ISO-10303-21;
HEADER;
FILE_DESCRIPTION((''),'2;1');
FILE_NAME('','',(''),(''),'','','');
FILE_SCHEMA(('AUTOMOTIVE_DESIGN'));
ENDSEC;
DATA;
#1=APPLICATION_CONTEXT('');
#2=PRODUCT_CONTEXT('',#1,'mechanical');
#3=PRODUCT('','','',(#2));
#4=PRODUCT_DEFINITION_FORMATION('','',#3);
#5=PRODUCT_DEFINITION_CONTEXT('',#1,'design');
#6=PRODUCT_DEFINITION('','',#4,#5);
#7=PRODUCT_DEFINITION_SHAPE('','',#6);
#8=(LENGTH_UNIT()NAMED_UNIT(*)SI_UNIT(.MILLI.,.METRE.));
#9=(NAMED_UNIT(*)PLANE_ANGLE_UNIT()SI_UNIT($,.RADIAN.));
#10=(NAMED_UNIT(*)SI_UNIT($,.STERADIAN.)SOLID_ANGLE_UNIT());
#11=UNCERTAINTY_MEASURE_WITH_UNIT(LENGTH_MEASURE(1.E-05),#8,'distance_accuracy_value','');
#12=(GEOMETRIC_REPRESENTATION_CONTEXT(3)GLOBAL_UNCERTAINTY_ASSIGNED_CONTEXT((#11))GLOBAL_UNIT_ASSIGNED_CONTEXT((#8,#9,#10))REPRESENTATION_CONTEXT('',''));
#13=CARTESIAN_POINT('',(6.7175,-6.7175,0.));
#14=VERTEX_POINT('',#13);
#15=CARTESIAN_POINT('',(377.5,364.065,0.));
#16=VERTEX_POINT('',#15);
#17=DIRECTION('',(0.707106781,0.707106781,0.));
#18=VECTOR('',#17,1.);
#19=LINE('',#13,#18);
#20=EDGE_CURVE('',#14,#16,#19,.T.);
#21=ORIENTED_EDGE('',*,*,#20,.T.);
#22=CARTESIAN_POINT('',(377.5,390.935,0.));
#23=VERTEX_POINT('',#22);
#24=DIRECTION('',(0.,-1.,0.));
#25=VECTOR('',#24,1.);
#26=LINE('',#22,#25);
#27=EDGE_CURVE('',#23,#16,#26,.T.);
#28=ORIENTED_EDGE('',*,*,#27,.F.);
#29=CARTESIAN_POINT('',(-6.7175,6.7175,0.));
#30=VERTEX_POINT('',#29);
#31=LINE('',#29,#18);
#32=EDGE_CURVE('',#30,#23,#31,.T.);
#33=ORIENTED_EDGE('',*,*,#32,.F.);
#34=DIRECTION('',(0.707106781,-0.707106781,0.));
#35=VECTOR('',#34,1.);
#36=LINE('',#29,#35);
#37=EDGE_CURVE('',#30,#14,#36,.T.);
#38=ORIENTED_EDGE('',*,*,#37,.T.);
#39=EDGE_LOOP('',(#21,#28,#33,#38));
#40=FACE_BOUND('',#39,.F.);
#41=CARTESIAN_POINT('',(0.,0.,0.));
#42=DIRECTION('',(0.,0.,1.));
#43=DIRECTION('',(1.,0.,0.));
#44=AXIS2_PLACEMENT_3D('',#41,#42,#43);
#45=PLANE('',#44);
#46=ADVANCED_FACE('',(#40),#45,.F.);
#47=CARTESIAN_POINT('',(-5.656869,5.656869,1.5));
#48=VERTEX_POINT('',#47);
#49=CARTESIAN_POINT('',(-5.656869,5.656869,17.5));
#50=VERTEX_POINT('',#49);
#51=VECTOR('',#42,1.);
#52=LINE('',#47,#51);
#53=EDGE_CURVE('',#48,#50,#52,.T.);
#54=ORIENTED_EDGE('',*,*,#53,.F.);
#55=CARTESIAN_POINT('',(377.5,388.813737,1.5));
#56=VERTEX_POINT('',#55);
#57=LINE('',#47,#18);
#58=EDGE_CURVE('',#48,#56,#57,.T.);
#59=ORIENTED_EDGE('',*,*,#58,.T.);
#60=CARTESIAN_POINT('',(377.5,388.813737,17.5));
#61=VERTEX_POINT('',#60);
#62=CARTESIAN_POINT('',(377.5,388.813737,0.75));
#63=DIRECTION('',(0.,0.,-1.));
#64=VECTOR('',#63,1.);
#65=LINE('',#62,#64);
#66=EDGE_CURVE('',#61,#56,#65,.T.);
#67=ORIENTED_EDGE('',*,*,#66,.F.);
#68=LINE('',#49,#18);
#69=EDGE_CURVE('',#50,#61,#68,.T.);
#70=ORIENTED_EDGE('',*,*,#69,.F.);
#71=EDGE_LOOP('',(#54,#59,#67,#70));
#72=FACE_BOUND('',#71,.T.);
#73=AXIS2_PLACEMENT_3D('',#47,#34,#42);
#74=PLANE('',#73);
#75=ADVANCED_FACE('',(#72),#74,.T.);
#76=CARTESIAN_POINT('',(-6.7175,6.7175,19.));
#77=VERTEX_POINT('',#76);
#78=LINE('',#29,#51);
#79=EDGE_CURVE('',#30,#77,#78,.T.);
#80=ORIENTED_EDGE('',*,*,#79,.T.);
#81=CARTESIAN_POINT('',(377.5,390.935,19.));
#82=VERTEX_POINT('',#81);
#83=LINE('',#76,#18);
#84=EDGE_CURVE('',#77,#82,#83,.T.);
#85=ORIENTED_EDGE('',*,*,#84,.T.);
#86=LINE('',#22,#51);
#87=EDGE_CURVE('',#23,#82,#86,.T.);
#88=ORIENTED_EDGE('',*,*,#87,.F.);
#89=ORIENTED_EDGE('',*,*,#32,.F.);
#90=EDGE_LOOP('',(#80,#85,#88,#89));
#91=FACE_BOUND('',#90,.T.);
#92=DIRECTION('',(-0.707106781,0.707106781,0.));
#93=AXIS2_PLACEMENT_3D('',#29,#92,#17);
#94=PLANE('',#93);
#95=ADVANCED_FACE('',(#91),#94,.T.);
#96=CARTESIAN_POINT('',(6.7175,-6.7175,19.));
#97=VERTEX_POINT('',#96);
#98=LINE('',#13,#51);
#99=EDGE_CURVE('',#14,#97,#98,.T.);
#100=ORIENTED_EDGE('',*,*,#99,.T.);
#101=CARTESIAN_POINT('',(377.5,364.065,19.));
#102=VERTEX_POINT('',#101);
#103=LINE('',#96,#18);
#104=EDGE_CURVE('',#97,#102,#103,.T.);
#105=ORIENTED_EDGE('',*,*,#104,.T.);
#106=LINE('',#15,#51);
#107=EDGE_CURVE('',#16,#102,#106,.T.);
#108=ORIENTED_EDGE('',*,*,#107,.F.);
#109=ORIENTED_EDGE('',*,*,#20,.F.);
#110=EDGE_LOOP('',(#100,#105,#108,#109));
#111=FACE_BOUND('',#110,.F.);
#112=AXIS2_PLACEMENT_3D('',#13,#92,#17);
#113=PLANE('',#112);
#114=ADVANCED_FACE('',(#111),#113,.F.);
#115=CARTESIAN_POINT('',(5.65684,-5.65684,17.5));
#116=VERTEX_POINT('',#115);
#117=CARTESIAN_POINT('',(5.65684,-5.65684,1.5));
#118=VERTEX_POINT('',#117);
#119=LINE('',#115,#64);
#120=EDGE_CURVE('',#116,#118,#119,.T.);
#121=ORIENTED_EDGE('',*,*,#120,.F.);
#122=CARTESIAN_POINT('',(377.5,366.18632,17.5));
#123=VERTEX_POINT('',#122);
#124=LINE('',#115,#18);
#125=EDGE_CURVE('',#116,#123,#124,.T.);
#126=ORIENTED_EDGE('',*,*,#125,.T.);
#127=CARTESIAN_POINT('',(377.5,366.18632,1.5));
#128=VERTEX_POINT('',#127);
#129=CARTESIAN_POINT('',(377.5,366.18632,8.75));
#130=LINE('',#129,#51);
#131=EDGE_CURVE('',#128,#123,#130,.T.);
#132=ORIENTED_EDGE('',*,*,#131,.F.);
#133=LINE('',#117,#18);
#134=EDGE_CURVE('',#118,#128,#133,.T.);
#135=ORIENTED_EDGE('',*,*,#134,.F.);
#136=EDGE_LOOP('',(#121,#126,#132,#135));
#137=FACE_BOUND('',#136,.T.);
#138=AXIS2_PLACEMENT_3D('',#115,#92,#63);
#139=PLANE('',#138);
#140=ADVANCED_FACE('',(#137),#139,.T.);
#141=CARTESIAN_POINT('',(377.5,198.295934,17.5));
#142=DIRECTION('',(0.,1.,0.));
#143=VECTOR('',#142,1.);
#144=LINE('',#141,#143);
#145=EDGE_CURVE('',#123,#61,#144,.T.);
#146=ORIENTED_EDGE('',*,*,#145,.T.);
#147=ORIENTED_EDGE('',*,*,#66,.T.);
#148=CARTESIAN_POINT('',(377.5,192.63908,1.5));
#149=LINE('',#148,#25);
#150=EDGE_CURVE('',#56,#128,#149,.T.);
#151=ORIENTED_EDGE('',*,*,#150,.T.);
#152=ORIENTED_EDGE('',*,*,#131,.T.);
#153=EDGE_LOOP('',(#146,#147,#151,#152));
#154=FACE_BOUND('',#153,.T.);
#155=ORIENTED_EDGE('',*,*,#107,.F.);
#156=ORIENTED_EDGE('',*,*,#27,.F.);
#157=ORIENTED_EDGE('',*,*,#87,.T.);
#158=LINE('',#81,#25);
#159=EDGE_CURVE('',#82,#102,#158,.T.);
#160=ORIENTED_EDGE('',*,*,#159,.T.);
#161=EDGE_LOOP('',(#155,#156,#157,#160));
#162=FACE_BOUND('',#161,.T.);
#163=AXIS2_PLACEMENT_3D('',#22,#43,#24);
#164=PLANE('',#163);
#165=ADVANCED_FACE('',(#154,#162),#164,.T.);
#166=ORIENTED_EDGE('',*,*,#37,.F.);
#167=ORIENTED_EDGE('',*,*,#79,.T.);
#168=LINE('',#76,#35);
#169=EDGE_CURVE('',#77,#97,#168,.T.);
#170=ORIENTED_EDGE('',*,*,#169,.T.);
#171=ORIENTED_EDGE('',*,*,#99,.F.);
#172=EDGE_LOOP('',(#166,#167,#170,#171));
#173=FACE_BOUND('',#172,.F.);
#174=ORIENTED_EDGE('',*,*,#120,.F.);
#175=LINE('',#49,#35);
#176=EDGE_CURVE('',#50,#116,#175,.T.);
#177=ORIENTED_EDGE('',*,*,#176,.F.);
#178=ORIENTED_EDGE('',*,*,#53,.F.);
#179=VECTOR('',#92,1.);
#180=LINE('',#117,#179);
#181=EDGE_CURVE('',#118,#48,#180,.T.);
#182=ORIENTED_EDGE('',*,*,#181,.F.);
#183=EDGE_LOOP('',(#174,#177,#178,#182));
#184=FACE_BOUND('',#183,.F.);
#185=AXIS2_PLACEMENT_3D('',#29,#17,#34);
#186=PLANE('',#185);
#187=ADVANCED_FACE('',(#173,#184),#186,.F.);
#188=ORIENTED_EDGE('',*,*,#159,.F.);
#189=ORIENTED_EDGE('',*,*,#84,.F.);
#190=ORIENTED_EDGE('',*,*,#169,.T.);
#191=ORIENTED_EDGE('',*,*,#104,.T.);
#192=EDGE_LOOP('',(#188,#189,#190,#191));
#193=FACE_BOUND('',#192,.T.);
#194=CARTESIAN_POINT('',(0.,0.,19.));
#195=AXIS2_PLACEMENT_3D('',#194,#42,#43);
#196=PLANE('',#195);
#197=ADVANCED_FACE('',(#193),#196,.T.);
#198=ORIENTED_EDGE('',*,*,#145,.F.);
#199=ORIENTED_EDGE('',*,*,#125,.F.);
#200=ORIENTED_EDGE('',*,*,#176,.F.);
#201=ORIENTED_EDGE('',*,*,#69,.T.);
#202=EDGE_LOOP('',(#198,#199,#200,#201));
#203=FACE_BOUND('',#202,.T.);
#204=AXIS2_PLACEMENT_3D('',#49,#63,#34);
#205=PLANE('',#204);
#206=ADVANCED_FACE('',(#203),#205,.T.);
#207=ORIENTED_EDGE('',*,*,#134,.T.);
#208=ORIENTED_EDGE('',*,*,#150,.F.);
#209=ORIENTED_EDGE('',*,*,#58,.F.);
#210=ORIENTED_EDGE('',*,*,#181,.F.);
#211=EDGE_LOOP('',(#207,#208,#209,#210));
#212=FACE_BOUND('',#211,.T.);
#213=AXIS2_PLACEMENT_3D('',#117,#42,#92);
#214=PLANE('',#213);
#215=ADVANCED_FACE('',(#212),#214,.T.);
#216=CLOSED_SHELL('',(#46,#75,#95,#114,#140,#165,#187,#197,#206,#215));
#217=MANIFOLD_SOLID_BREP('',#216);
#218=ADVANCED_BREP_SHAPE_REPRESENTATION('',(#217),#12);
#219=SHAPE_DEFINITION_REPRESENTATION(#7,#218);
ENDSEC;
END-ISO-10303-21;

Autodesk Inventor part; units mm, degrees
ref_plane "YZ Plane" through (0, 0, 0) normal (1, 0, 0) x (0, 1, 0)
ref_plane "XZ Plane" through (0, 0, 0) normal (0, 1, 0) x (-1, 0, 0)
ref_plane "XY Plane" through (0, 0, 0) normal (0, 0, 1) x (1, 0, 0)
sketch "Sketch2" plane through (0, 0, 0) normal (0, 0, 1) x (1, 0, 0)
  line L0 (0, 0) -> (377.5, 0) construction
  line L1 (377.5, 0) -> (377.5, 377.5) construction
  line L2 (0, 0) -> (377.5, 377.5) construction
  line L3 (-6.7175, 6.7175) -> (6.7175, -6.7175)
  line L4 (377.5, 390.935) -> (377.5, 364.065)
  line L5 (-6.7175, 6.7175) -> (377.5, 390.935)
  line L6 (6.7175, -6.7175) -> (377.5, 364.065)
  dimension "d4" = 377.5
  dimension "d5" = 377.5
  dimension "d6" = 19
  dimension "d7" = 90
  dimension "d13" = 45
extrude "Extrusion1" add sketch "Sketch2" along normal blind 19
sketch "Sketch3" plane through (6.7175, -6.7175, 19) normal (-0.7071, -0.7071, 0) x (-0.7071, 0.7071, 0)
  line L0 (19, 19) -> (0, 19) projected
  line L1 (0, 19) -> (0, 0) projected
  line L2 (19, 0) -> (0, 0) projected
  line L3 (19, 19) -> (19, 0) projected
  line L4 (17.5, 1.5) -> (1.5, 1.5)
  line L5 (1.5, 1.5) -> (1.5, 17.5)
  line L6 (1.5, 17.5) -> (17.5, 17.5)
  line L7 (17.5, 17.5) -> (17.5, 1.5)
  point P0 (9.5, 19)
  dimension "d14" = 1.5
extrude "Extrusion2" cut sketch "Sketch3" against normal through all contours L4 L5 L6 L7
properties part number "C004" material "Aluminum 6061"
